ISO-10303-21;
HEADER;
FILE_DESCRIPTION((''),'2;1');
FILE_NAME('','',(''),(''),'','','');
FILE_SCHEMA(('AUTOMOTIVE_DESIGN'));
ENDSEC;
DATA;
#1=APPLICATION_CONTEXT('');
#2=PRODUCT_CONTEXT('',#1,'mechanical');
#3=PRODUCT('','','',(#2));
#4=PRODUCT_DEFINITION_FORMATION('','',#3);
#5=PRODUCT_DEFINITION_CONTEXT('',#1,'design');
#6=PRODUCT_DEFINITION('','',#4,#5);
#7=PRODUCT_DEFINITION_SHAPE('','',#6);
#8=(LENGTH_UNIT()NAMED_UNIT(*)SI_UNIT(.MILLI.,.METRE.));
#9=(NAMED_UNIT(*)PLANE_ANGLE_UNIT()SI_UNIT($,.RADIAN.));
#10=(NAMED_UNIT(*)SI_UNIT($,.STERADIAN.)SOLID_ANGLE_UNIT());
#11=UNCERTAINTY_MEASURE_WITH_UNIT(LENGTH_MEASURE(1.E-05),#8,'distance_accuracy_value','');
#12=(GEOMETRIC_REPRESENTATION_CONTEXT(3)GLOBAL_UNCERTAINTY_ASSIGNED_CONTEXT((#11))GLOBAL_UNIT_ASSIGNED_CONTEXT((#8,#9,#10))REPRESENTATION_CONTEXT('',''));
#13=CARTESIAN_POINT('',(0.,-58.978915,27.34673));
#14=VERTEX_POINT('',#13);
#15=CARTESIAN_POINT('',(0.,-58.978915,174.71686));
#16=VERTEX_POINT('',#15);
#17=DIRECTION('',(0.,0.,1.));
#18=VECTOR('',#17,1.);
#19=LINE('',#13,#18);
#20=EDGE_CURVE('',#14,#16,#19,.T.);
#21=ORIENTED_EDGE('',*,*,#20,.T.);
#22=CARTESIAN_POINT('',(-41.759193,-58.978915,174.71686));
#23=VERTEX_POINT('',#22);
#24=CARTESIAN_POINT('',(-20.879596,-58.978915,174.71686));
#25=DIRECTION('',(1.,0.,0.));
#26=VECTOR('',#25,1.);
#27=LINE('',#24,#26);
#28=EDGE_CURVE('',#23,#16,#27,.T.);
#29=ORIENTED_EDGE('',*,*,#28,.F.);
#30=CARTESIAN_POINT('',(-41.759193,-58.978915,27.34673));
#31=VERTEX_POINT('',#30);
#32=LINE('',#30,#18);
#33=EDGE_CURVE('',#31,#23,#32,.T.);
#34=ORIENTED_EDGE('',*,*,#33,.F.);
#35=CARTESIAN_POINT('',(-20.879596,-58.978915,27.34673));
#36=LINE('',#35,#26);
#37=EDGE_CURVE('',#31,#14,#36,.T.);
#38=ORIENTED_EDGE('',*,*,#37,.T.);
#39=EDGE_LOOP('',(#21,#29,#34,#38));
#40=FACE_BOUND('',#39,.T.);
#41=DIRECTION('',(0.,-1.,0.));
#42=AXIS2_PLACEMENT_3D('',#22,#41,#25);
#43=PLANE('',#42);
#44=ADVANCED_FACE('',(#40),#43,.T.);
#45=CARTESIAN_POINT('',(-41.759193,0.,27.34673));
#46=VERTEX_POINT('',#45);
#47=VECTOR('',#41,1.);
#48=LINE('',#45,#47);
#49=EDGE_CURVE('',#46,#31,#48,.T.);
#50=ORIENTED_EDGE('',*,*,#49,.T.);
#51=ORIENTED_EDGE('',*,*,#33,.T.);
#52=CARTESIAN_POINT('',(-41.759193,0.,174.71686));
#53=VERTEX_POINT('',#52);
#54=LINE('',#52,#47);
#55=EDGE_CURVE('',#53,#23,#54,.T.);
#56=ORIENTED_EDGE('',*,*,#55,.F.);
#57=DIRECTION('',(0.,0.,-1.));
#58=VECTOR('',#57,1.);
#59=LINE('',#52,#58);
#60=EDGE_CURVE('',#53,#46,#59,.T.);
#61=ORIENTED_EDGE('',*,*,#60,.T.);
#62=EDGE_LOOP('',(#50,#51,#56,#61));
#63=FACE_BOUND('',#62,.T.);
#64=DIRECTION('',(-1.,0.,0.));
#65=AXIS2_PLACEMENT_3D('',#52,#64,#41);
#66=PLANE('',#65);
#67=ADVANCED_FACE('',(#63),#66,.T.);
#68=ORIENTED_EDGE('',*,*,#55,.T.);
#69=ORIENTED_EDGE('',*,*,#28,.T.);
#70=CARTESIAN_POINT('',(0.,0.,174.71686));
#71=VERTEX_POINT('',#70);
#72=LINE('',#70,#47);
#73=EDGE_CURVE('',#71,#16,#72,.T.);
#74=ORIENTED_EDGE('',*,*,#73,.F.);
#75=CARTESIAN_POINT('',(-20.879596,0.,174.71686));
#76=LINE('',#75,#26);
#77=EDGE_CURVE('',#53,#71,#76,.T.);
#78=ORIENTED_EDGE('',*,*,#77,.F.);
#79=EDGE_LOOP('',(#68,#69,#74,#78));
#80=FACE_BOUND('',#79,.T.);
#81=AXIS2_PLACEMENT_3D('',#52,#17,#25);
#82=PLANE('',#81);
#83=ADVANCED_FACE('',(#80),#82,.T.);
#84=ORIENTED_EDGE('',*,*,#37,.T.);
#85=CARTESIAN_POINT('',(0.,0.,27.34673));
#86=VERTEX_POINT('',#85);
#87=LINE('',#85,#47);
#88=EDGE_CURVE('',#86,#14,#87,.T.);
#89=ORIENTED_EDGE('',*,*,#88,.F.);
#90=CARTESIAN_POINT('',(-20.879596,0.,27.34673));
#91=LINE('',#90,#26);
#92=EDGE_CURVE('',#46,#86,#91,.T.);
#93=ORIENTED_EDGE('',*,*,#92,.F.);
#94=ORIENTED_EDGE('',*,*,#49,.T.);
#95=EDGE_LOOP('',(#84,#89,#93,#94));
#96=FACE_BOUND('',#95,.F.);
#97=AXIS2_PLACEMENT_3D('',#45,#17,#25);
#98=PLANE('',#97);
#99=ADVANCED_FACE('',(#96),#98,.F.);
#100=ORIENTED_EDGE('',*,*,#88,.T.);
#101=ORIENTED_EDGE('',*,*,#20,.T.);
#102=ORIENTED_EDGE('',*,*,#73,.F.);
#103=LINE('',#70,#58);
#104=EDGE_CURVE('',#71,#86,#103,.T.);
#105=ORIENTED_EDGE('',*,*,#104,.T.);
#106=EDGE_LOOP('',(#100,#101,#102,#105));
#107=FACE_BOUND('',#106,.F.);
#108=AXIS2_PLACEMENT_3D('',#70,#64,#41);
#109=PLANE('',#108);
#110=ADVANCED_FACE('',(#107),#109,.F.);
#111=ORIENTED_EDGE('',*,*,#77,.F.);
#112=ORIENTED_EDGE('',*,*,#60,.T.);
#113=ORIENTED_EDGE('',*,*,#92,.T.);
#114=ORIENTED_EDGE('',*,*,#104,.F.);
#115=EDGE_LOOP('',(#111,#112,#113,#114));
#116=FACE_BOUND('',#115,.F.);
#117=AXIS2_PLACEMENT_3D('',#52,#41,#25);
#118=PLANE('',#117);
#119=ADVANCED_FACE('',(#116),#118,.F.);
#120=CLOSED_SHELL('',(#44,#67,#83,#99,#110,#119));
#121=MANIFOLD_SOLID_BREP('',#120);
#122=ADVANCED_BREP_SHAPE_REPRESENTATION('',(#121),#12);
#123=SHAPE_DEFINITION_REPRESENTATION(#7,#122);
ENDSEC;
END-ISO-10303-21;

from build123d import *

# Parameters (mm, degrees)
F0_W     = 41.7591929436
F0_H     = 21.8034684658
F1_DEPTH = 58.9789152145
F2_T     = -0.1
F3_DEPTH = 147.3701298237
F4_DEPTH = 21.0949573666


with BuildPart() as f1:
    # F0 (on Front) → F1 (new body)
    with BuildSketch(Plane.XZ):
        with Locations((-20.8795964718, 38.2484644651)):
            Rectangle(F0_W, F0_H)
    extrude(amount=F1_DEPTH)

    # F2
    f2_openings = [f1.faces().sort_by_distance(p)[0] for p in [
        (-20.879596, -29.489458, 49.150199),
    ]]
    offset(amount=F2_T, openings=f2_openings)

    # F3 (add): a face of the model
    f3_faces = [f1.faces().sort_by_distance(p)[0] for p in [
        (-20.8795964718, -29.4894576073, 27.3467302322),
    ]]
    extrude(f3_faces, amount=-F3_DEPTH)

    # F4 (add): a face of the model
    f4_faces = [f1.faces().sort_by_distance(p)[0] for p in [
        (-20.8795964718, -29.4894576073, 174.7168600559),
    ]]
    extrude(f4_faces, amount=-F4_DEPTH)


solid = f1.part
